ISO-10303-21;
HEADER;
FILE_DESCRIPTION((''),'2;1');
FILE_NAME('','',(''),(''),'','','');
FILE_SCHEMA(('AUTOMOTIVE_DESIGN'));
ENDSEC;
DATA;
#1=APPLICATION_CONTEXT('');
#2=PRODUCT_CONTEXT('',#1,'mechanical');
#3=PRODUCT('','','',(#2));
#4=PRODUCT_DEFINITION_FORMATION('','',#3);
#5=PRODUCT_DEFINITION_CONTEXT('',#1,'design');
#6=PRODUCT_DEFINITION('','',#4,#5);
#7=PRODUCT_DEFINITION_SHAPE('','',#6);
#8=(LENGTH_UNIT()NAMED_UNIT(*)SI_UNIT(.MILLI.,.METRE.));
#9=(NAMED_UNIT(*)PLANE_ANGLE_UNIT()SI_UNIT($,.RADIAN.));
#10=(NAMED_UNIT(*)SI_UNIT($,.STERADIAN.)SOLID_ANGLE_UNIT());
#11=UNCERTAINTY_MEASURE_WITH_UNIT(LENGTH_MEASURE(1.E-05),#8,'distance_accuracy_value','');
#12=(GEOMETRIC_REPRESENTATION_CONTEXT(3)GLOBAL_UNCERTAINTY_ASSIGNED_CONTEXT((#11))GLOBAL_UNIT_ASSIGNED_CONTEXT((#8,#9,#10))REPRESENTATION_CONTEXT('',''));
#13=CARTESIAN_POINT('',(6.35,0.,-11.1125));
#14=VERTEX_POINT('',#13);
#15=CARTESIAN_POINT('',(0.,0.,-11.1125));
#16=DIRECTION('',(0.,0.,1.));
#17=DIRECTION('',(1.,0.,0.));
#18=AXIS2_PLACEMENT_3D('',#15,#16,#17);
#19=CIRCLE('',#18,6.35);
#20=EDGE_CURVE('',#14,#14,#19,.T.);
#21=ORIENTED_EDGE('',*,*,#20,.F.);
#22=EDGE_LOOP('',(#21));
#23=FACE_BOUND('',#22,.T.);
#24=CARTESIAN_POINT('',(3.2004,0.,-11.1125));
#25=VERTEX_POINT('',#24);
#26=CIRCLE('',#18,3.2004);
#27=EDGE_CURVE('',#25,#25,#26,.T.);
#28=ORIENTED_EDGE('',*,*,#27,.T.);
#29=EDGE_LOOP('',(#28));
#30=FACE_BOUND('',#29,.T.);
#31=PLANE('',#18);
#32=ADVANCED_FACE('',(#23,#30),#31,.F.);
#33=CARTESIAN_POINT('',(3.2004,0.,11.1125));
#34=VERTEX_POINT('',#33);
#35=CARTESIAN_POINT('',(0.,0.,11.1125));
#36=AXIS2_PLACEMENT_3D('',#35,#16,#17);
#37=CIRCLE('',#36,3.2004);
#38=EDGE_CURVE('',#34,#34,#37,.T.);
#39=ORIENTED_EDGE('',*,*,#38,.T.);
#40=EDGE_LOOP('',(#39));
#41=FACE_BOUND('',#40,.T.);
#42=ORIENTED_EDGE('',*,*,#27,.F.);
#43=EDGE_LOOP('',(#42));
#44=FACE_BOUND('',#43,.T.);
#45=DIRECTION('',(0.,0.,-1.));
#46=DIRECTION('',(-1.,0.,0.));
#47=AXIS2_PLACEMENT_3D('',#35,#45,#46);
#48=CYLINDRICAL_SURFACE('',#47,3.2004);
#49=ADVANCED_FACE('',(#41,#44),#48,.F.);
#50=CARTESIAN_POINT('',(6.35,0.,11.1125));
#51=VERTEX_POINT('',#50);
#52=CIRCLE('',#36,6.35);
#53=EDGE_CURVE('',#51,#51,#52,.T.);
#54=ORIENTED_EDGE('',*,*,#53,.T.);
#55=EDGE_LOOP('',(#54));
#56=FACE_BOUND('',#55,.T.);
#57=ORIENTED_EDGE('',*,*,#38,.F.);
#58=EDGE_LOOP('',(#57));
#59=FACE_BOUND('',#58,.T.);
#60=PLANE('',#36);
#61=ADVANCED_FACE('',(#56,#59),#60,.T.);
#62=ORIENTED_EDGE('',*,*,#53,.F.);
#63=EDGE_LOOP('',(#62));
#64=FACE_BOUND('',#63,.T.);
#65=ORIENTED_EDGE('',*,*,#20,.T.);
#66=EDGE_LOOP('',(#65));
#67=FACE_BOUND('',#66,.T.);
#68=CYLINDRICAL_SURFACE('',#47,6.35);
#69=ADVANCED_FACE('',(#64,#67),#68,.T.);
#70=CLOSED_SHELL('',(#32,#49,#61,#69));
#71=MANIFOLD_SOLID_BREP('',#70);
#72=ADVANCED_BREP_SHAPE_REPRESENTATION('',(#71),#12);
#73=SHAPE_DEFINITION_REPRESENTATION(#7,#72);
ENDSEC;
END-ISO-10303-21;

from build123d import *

# Parameters (mm, degrees)
SKETCH2_R           = 6.35
SKETCH2_R_2         = 3.2004
BOSS_EXTRUDE1_DEPTH = 11.1125


with BuildPart() as part:
    # Sketch2 → Boss-Extrude1 (new, symmetric)
    with BuildSketch(Plane.XY):
        Circle(SKETCH2_R)
        Circle(SKETCH2_R_2, mode=Mode.SUBTRACT)
    extrude(amount=BOSS_EXTRUDE1_DEPTH, both=True)


solid = part.part
